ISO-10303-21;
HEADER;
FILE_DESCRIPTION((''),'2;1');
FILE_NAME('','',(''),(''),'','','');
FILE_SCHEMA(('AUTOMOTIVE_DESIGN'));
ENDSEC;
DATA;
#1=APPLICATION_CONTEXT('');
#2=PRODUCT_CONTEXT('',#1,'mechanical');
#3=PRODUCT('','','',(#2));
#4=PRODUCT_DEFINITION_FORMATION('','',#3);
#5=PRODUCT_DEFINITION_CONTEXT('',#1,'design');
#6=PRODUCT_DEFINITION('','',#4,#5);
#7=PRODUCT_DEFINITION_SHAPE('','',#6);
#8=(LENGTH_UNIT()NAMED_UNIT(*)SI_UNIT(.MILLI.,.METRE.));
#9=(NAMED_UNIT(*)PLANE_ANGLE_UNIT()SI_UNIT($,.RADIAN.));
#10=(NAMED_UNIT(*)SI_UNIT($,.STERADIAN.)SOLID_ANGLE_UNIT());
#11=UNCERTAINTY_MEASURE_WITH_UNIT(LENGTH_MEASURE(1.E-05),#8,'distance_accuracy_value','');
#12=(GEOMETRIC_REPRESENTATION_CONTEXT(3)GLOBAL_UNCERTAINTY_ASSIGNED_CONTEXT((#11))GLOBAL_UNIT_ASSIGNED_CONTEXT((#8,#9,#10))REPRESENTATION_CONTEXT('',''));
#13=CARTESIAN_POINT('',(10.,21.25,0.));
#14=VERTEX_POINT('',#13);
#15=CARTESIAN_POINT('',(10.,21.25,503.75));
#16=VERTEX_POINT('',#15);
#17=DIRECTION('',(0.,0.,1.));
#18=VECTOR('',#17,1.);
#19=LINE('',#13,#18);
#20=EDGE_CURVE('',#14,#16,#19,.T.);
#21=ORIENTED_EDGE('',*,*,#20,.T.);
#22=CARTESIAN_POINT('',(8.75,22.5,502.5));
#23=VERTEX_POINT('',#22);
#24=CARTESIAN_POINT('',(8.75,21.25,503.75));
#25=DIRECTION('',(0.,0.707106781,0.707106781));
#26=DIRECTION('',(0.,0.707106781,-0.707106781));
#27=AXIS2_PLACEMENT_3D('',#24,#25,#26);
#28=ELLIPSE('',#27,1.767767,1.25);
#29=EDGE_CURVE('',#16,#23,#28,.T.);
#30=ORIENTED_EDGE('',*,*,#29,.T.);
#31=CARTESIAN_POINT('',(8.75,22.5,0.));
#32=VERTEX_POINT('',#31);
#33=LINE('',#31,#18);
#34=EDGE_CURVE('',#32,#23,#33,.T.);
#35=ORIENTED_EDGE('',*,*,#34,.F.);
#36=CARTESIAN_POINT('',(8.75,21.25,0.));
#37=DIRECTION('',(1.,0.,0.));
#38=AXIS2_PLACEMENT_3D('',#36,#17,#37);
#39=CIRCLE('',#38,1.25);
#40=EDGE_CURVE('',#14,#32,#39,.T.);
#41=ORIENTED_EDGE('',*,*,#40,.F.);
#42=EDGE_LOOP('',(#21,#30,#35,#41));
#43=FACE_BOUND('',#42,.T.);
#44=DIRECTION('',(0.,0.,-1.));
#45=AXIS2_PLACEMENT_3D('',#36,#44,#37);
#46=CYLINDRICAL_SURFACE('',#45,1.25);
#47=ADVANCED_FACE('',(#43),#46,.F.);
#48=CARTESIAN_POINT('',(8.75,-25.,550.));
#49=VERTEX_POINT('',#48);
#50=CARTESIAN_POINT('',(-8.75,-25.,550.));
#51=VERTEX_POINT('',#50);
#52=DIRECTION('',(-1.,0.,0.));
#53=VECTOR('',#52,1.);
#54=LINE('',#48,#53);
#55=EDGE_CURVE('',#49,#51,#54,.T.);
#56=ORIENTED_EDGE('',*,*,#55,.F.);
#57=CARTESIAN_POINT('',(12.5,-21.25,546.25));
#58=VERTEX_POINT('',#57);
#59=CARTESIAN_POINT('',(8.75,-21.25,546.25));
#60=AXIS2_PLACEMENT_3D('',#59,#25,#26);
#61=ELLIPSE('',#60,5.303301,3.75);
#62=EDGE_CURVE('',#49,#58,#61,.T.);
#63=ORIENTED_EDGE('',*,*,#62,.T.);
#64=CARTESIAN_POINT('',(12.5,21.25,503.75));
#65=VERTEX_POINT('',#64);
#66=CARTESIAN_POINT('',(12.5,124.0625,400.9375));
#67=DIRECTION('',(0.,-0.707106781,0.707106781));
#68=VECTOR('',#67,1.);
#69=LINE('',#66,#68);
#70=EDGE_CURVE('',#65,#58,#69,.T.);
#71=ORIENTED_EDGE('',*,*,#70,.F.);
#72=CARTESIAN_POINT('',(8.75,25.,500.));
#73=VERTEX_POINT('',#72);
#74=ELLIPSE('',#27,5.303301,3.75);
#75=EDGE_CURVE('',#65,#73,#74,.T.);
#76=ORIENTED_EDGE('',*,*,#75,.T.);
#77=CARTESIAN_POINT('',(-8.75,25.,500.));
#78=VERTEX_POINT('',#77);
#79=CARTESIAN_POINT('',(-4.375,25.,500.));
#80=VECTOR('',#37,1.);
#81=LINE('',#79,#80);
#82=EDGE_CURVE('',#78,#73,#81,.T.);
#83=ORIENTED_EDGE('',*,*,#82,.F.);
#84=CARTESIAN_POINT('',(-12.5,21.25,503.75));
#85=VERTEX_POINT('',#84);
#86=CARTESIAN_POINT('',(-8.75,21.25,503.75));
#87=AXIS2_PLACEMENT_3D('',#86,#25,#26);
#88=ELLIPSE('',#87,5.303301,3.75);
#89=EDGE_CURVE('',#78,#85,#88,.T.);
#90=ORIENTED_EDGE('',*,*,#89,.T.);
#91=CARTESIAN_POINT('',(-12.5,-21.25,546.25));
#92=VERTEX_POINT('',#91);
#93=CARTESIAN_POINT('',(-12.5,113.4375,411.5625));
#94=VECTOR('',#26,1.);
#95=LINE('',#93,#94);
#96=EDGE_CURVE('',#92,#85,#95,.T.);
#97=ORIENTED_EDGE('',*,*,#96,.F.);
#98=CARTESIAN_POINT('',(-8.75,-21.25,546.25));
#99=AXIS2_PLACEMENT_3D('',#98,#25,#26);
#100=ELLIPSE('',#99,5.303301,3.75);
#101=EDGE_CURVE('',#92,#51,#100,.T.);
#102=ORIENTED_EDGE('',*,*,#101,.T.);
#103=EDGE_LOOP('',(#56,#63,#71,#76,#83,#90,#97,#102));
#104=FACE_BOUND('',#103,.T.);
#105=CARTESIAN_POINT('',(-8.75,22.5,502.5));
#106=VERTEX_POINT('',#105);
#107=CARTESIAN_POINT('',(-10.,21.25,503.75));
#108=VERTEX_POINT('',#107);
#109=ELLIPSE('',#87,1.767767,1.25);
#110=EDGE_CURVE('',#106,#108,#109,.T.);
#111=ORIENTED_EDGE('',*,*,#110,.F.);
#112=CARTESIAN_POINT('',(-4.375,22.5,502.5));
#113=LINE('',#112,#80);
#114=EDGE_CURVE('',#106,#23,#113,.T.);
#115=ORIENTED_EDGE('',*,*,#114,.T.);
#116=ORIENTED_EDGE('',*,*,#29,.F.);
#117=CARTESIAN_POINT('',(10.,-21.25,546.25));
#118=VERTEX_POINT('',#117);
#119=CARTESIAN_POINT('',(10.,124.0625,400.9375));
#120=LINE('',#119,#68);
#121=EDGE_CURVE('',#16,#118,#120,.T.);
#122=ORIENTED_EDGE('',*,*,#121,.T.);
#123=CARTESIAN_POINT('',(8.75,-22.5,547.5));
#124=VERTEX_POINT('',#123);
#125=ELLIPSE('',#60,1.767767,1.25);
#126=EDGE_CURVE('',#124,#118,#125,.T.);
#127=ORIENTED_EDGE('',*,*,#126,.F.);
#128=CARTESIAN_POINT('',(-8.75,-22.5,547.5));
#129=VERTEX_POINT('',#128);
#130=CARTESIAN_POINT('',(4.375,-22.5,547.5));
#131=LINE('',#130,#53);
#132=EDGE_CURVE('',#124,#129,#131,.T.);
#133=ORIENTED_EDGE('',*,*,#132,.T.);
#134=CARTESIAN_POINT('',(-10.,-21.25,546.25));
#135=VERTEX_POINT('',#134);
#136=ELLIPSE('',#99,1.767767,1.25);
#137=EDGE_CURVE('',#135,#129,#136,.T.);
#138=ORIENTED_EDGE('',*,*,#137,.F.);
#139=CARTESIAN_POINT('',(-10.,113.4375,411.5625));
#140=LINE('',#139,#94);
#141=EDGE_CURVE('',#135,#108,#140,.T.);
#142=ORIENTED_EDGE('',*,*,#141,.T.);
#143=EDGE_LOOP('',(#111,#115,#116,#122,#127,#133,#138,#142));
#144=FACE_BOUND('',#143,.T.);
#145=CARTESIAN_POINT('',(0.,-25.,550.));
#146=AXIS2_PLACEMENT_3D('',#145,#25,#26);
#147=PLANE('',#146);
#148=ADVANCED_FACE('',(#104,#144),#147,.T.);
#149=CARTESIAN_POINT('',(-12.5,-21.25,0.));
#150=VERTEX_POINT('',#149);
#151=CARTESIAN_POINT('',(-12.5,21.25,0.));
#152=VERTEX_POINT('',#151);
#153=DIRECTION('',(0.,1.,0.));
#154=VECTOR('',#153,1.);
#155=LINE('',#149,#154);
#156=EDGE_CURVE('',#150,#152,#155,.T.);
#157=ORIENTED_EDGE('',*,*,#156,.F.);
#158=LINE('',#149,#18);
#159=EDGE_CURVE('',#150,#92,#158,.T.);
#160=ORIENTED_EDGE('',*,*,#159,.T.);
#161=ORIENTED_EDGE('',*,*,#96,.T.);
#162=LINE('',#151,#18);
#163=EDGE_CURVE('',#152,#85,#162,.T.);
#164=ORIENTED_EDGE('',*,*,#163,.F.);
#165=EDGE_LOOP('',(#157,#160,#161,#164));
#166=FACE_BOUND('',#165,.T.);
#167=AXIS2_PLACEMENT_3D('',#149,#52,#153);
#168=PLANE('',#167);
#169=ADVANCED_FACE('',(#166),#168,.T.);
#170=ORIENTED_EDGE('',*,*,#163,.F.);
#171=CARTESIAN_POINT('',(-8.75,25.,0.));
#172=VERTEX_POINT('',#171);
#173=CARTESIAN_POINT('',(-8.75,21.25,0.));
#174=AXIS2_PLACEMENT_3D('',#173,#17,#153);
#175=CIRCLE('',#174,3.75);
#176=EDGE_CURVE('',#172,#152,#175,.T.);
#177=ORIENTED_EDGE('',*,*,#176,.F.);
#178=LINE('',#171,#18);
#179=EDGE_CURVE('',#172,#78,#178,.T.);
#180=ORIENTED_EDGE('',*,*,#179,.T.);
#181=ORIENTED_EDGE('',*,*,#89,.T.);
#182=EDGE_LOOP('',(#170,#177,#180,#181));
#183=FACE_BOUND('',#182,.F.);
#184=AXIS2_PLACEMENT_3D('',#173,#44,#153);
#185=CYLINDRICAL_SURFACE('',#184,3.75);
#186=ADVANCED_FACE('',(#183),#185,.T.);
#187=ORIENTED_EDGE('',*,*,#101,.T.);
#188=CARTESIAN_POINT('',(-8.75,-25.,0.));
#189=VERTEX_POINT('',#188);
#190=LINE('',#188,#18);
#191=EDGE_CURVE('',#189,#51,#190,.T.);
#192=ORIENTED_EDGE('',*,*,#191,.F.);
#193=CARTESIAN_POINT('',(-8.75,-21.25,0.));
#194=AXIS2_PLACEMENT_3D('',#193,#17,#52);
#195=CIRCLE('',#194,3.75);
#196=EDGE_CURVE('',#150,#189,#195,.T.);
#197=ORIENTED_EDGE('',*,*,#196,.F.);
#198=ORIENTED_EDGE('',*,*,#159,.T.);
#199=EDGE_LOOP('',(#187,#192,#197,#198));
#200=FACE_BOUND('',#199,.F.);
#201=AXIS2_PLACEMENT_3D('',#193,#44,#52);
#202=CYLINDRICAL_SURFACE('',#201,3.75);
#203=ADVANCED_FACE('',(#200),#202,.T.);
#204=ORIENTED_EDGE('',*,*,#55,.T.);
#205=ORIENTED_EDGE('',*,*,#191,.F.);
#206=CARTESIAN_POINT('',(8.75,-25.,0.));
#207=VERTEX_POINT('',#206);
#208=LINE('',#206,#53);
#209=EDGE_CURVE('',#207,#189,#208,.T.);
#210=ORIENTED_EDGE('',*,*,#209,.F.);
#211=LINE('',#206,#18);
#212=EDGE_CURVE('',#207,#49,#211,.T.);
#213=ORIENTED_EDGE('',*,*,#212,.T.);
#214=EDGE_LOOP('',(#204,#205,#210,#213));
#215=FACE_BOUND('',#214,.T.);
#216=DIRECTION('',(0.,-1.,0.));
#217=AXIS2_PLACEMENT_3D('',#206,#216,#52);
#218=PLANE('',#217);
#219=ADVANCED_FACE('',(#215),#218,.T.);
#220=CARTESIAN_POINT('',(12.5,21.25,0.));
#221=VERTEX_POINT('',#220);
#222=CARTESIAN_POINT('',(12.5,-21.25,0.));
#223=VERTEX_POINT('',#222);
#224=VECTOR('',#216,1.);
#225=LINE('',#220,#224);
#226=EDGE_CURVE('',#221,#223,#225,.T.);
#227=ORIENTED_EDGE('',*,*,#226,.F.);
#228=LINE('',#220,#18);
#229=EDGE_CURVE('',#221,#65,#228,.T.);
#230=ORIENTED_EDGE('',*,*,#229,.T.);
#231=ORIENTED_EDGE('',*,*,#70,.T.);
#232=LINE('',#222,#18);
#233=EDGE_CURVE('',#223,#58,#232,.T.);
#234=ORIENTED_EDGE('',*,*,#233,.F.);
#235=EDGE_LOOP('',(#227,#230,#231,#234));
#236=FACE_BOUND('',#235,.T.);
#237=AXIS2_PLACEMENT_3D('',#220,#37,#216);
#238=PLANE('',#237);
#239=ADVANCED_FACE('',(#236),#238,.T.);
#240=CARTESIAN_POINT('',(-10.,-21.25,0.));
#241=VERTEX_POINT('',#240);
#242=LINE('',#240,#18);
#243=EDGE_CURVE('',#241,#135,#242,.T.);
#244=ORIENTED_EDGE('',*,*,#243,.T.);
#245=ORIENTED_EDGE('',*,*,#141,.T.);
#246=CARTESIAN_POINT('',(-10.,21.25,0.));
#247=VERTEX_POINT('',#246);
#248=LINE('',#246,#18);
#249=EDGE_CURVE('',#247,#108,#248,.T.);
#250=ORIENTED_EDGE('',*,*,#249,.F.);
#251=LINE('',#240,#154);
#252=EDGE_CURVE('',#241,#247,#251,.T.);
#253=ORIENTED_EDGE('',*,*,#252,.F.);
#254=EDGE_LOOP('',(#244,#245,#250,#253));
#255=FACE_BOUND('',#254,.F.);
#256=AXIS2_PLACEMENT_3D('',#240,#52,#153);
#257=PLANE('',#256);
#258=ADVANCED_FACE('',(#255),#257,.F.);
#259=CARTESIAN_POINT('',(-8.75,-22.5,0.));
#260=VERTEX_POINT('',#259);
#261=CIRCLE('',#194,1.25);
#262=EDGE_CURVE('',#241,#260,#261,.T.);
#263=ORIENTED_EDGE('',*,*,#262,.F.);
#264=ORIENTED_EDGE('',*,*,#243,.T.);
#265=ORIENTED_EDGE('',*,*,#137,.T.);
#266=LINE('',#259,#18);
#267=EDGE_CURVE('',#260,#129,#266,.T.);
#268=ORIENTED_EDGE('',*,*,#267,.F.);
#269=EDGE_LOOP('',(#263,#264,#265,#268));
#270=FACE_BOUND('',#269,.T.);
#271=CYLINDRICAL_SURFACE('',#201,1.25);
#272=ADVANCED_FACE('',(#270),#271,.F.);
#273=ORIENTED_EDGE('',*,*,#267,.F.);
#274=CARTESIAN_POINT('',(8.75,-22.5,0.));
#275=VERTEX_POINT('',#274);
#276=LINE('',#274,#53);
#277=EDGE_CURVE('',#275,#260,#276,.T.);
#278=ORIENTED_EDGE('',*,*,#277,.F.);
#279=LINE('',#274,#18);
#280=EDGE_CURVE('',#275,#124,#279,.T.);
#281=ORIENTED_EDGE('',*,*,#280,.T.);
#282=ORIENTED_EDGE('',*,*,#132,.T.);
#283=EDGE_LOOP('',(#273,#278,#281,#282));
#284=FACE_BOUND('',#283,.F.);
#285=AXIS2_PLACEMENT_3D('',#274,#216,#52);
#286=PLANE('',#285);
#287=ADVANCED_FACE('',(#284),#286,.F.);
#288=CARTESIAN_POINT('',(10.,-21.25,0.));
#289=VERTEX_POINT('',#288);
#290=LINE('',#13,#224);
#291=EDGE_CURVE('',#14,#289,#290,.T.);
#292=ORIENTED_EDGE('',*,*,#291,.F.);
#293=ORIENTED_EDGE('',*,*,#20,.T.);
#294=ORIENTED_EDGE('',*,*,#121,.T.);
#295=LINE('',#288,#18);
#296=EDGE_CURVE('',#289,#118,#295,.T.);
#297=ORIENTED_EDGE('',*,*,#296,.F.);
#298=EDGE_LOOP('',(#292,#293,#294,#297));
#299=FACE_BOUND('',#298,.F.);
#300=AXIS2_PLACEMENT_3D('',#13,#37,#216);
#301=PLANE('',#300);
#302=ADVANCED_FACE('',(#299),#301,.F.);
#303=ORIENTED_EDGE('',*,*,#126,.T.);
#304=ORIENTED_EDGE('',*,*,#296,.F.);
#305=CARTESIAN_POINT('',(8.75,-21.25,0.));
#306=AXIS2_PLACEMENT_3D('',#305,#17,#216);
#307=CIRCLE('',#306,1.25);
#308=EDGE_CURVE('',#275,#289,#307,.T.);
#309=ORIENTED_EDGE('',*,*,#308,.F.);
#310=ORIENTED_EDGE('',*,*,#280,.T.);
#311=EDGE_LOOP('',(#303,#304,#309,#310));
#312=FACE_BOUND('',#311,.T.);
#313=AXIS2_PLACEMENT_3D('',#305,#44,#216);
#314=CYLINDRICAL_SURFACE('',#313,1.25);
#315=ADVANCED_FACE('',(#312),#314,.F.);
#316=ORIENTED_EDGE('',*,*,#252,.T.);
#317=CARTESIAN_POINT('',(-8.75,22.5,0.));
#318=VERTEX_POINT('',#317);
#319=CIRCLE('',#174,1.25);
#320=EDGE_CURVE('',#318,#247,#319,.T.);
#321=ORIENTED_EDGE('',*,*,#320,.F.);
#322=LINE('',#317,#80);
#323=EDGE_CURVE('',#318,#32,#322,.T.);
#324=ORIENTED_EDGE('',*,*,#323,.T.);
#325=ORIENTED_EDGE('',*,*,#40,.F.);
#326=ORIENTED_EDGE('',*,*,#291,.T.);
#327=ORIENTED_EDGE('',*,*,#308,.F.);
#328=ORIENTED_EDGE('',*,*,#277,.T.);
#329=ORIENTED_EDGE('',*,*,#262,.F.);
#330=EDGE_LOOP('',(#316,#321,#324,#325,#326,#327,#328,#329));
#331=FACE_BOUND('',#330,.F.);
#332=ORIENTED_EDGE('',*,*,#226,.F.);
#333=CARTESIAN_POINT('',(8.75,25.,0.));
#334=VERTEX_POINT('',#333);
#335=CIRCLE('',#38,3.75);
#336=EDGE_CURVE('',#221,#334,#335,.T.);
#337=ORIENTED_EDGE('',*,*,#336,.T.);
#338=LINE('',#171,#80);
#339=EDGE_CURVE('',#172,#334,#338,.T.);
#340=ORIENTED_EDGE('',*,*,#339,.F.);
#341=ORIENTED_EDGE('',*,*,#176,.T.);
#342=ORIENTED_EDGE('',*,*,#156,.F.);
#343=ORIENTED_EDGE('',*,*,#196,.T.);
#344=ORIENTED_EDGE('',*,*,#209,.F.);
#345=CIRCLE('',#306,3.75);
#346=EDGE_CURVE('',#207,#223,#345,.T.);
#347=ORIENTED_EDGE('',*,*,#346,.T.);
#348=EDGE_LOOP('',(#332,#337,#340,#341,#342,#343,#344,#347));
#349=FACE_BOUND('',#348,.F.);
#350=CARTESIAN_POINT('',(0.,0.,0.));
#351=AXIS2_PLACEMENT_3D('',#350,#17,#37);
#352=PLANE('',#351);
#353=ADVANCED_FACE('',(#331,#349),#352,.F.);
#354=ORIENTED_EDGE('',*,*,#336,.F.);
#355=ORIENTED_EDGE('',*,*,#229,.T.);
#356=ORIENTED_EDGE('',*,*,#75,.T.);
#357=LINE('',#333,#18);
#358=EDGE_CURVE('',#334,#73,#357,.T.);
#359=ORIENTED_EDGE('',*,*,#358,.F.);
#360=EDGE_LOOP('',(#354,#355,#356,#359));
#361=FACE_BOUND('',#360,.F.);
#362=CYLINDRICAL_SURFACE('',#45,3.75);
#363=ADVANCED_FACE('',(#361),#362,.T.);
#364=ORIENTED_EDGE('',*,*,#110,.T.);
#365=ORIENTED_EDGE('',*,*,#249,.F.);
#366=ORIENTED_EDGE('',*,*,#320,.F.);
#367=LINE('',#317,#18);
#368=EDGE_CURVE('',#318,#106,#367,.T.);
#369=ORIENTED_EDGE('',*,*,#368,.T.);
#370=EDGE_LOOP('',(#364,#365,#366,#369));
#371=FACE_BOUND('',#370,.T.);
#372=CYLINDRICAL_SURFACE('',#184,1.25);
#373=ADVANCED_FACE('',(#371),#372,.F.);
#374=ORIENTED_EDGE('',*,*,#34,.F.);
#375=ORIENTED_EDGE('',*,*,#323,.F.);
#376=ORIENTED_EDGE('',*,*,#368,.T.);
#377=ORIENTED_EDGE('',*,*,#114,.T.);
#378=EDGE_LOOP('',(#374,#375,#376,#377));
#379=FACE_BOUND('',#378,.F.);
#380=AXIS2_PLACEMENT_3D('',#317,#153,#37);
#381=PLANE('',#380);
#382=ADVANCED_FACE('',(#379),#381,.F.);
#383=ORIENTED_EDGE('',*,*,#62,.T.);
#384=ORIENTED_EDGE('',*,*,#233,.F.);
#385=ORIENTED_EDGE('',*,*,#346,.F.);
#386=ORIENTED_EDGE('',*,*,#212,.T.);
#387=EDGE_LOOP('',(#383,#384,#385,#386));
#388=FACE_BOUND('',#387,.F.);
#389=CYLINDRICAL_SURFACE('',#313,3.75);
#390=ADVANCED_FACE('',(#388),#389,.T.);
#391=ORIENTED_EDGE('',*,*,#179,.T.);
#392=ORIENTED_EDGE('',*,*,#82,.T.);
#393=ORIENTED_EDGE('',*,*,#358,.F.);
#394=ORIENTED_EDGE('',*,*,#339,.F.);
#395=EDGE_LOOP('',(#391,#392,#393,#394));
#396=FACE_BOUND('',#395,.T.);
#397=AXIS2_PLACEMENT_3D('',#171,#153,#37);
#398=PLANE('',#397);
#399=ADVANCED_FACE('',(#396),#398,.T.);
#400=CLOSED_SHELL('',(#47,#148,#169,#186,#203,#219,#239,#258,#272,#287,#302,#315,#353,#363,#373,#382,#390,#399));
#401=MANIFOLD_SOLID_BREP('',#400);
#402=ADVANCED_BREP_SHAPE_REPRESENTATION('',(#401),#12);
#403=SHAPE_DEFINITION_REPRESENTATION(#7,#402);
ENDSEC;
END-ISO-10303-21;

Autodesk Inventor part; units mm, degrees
ref_plane "Plano inicial" through (0, 0, 0) normal (0, 0, 1) x (1, 0, 0)
ref_plane "Plano final" through (0, 0, 550) normal (0, 0, 1) x (1, 0, 0)
sketch "Esboço" plane through (0, 0, 0) normal (0, 0, 1) x (1, 0, 0)
  line L0 (-12.5, -21.25) -> (-12.5, 21.25)
  line L1 (-8.75, 25) -> (8.75, 25)
  line L2 (12.5, 21.25) -> (12.5, -21.25)
  line L3 (8.75, -25) -> (-8.75, -25)
  arc A0 (-12.5, -21.25) -> (-8.75, -25) centre (-8.75, -21.25) ccw
  arc A1 (-8.75, 25) -> (-12.5, 21.25) centre (-8.75, 21.25) ccw
  arc A2 (12.5, 21.25) -> (8.75, 25) centre (8.75, 21.25) ccw
  arc A3 (8.75, -25) -> (12.5, -21.25) centre (8.75, -21.25) ccw
  arc A4 (-8.75, 22.5) -> (-10, 21.25) centre (-8.75, 21.25) ccw
  line L4 (-8.75, 22.5) -> (8.75, 22.5)
  arc A5 (10, 21.25) -> (8.75, 22.5) centre (8.75, 21.25) ccw
  line L5 (10, 21.25) -> (10, -21.25)
  arc A6 (8.75, -22.5) -> (10, -21.25) centre (8.75, -21.25) ccw
  line L6 (8.75, -22.5) -> (-8.75, -22.5)
  arc A7 (-10, -21.25) -> (-8.75, -22.5) centre (-8.75, -21.25) ccw
  line L7 (-10, -21.25) -> (-10, 21.25)
  line L8 (0, 36.0873) -> (0, -36.0873) construction
  line L9 (-18.5873, 0) -> (18.5873, 0) construction
  dimension "d7" = 3.75
  dimension "d10" = 50
  dimension "d11" = 25
  dimension "d12" = 2.5
  dimension "d15" = 25
  dimension "d16" = 12.5
extrude "Corpo" add sketch "Esboço" along normal up to surface (550 mm away) from surface at 0
sketch "Sketch3" plane through (0, 0, 0) normal (0, 0, 1) x (1, 0, 0)
  line L0 (0, 0) -> (10, 0)
ref_plane "Work Plane3" through (0, 0, 0) normal (0, -1, 0) x (1, 0, 0)
sketch "Sketch4" plane through (0, 0, 0) normal (0, -1, 0) x (1, 0, 0)
  line L0 (-2, 0) -> (12, 0)
  line L1 (-2, 550) -> (12, 550)
  dimension "d18" = 550
ref_plane "Plano de trabalho5" through (0, -25, 550) normal (0, 0.7071, 0.7071) x (1, 0, 0)
split "Dividir2" plane through (0, -25, 550) removes the side toward (0, 0.7071, 0.7071)
equation "\"d7\" = G_IR"
equation "\"d10\" = G_H"
equation "\"d11\" = G_W"
equation "\"d12\" = G_T"
equation "\"d15\" = 0.5 * d10"
equation "\"d16\" = 0.5 * d11"
equation "\"d3\" = G_L"
equation "\"G_W\" = 25"
equation "\"G_H\" = 50"
equation "\"G_T\" = 2.5"
equation "\"G_IR\" = 3.75"
equation "\"G_L\" = d18"
equation "\"G_OFFSET_START\" = 0"
equation "\"G_OFFSET_END\" = 0"
properties part number "ISO 12633-2 - 50x25x2.5 - 550" material "Aço, suave"
